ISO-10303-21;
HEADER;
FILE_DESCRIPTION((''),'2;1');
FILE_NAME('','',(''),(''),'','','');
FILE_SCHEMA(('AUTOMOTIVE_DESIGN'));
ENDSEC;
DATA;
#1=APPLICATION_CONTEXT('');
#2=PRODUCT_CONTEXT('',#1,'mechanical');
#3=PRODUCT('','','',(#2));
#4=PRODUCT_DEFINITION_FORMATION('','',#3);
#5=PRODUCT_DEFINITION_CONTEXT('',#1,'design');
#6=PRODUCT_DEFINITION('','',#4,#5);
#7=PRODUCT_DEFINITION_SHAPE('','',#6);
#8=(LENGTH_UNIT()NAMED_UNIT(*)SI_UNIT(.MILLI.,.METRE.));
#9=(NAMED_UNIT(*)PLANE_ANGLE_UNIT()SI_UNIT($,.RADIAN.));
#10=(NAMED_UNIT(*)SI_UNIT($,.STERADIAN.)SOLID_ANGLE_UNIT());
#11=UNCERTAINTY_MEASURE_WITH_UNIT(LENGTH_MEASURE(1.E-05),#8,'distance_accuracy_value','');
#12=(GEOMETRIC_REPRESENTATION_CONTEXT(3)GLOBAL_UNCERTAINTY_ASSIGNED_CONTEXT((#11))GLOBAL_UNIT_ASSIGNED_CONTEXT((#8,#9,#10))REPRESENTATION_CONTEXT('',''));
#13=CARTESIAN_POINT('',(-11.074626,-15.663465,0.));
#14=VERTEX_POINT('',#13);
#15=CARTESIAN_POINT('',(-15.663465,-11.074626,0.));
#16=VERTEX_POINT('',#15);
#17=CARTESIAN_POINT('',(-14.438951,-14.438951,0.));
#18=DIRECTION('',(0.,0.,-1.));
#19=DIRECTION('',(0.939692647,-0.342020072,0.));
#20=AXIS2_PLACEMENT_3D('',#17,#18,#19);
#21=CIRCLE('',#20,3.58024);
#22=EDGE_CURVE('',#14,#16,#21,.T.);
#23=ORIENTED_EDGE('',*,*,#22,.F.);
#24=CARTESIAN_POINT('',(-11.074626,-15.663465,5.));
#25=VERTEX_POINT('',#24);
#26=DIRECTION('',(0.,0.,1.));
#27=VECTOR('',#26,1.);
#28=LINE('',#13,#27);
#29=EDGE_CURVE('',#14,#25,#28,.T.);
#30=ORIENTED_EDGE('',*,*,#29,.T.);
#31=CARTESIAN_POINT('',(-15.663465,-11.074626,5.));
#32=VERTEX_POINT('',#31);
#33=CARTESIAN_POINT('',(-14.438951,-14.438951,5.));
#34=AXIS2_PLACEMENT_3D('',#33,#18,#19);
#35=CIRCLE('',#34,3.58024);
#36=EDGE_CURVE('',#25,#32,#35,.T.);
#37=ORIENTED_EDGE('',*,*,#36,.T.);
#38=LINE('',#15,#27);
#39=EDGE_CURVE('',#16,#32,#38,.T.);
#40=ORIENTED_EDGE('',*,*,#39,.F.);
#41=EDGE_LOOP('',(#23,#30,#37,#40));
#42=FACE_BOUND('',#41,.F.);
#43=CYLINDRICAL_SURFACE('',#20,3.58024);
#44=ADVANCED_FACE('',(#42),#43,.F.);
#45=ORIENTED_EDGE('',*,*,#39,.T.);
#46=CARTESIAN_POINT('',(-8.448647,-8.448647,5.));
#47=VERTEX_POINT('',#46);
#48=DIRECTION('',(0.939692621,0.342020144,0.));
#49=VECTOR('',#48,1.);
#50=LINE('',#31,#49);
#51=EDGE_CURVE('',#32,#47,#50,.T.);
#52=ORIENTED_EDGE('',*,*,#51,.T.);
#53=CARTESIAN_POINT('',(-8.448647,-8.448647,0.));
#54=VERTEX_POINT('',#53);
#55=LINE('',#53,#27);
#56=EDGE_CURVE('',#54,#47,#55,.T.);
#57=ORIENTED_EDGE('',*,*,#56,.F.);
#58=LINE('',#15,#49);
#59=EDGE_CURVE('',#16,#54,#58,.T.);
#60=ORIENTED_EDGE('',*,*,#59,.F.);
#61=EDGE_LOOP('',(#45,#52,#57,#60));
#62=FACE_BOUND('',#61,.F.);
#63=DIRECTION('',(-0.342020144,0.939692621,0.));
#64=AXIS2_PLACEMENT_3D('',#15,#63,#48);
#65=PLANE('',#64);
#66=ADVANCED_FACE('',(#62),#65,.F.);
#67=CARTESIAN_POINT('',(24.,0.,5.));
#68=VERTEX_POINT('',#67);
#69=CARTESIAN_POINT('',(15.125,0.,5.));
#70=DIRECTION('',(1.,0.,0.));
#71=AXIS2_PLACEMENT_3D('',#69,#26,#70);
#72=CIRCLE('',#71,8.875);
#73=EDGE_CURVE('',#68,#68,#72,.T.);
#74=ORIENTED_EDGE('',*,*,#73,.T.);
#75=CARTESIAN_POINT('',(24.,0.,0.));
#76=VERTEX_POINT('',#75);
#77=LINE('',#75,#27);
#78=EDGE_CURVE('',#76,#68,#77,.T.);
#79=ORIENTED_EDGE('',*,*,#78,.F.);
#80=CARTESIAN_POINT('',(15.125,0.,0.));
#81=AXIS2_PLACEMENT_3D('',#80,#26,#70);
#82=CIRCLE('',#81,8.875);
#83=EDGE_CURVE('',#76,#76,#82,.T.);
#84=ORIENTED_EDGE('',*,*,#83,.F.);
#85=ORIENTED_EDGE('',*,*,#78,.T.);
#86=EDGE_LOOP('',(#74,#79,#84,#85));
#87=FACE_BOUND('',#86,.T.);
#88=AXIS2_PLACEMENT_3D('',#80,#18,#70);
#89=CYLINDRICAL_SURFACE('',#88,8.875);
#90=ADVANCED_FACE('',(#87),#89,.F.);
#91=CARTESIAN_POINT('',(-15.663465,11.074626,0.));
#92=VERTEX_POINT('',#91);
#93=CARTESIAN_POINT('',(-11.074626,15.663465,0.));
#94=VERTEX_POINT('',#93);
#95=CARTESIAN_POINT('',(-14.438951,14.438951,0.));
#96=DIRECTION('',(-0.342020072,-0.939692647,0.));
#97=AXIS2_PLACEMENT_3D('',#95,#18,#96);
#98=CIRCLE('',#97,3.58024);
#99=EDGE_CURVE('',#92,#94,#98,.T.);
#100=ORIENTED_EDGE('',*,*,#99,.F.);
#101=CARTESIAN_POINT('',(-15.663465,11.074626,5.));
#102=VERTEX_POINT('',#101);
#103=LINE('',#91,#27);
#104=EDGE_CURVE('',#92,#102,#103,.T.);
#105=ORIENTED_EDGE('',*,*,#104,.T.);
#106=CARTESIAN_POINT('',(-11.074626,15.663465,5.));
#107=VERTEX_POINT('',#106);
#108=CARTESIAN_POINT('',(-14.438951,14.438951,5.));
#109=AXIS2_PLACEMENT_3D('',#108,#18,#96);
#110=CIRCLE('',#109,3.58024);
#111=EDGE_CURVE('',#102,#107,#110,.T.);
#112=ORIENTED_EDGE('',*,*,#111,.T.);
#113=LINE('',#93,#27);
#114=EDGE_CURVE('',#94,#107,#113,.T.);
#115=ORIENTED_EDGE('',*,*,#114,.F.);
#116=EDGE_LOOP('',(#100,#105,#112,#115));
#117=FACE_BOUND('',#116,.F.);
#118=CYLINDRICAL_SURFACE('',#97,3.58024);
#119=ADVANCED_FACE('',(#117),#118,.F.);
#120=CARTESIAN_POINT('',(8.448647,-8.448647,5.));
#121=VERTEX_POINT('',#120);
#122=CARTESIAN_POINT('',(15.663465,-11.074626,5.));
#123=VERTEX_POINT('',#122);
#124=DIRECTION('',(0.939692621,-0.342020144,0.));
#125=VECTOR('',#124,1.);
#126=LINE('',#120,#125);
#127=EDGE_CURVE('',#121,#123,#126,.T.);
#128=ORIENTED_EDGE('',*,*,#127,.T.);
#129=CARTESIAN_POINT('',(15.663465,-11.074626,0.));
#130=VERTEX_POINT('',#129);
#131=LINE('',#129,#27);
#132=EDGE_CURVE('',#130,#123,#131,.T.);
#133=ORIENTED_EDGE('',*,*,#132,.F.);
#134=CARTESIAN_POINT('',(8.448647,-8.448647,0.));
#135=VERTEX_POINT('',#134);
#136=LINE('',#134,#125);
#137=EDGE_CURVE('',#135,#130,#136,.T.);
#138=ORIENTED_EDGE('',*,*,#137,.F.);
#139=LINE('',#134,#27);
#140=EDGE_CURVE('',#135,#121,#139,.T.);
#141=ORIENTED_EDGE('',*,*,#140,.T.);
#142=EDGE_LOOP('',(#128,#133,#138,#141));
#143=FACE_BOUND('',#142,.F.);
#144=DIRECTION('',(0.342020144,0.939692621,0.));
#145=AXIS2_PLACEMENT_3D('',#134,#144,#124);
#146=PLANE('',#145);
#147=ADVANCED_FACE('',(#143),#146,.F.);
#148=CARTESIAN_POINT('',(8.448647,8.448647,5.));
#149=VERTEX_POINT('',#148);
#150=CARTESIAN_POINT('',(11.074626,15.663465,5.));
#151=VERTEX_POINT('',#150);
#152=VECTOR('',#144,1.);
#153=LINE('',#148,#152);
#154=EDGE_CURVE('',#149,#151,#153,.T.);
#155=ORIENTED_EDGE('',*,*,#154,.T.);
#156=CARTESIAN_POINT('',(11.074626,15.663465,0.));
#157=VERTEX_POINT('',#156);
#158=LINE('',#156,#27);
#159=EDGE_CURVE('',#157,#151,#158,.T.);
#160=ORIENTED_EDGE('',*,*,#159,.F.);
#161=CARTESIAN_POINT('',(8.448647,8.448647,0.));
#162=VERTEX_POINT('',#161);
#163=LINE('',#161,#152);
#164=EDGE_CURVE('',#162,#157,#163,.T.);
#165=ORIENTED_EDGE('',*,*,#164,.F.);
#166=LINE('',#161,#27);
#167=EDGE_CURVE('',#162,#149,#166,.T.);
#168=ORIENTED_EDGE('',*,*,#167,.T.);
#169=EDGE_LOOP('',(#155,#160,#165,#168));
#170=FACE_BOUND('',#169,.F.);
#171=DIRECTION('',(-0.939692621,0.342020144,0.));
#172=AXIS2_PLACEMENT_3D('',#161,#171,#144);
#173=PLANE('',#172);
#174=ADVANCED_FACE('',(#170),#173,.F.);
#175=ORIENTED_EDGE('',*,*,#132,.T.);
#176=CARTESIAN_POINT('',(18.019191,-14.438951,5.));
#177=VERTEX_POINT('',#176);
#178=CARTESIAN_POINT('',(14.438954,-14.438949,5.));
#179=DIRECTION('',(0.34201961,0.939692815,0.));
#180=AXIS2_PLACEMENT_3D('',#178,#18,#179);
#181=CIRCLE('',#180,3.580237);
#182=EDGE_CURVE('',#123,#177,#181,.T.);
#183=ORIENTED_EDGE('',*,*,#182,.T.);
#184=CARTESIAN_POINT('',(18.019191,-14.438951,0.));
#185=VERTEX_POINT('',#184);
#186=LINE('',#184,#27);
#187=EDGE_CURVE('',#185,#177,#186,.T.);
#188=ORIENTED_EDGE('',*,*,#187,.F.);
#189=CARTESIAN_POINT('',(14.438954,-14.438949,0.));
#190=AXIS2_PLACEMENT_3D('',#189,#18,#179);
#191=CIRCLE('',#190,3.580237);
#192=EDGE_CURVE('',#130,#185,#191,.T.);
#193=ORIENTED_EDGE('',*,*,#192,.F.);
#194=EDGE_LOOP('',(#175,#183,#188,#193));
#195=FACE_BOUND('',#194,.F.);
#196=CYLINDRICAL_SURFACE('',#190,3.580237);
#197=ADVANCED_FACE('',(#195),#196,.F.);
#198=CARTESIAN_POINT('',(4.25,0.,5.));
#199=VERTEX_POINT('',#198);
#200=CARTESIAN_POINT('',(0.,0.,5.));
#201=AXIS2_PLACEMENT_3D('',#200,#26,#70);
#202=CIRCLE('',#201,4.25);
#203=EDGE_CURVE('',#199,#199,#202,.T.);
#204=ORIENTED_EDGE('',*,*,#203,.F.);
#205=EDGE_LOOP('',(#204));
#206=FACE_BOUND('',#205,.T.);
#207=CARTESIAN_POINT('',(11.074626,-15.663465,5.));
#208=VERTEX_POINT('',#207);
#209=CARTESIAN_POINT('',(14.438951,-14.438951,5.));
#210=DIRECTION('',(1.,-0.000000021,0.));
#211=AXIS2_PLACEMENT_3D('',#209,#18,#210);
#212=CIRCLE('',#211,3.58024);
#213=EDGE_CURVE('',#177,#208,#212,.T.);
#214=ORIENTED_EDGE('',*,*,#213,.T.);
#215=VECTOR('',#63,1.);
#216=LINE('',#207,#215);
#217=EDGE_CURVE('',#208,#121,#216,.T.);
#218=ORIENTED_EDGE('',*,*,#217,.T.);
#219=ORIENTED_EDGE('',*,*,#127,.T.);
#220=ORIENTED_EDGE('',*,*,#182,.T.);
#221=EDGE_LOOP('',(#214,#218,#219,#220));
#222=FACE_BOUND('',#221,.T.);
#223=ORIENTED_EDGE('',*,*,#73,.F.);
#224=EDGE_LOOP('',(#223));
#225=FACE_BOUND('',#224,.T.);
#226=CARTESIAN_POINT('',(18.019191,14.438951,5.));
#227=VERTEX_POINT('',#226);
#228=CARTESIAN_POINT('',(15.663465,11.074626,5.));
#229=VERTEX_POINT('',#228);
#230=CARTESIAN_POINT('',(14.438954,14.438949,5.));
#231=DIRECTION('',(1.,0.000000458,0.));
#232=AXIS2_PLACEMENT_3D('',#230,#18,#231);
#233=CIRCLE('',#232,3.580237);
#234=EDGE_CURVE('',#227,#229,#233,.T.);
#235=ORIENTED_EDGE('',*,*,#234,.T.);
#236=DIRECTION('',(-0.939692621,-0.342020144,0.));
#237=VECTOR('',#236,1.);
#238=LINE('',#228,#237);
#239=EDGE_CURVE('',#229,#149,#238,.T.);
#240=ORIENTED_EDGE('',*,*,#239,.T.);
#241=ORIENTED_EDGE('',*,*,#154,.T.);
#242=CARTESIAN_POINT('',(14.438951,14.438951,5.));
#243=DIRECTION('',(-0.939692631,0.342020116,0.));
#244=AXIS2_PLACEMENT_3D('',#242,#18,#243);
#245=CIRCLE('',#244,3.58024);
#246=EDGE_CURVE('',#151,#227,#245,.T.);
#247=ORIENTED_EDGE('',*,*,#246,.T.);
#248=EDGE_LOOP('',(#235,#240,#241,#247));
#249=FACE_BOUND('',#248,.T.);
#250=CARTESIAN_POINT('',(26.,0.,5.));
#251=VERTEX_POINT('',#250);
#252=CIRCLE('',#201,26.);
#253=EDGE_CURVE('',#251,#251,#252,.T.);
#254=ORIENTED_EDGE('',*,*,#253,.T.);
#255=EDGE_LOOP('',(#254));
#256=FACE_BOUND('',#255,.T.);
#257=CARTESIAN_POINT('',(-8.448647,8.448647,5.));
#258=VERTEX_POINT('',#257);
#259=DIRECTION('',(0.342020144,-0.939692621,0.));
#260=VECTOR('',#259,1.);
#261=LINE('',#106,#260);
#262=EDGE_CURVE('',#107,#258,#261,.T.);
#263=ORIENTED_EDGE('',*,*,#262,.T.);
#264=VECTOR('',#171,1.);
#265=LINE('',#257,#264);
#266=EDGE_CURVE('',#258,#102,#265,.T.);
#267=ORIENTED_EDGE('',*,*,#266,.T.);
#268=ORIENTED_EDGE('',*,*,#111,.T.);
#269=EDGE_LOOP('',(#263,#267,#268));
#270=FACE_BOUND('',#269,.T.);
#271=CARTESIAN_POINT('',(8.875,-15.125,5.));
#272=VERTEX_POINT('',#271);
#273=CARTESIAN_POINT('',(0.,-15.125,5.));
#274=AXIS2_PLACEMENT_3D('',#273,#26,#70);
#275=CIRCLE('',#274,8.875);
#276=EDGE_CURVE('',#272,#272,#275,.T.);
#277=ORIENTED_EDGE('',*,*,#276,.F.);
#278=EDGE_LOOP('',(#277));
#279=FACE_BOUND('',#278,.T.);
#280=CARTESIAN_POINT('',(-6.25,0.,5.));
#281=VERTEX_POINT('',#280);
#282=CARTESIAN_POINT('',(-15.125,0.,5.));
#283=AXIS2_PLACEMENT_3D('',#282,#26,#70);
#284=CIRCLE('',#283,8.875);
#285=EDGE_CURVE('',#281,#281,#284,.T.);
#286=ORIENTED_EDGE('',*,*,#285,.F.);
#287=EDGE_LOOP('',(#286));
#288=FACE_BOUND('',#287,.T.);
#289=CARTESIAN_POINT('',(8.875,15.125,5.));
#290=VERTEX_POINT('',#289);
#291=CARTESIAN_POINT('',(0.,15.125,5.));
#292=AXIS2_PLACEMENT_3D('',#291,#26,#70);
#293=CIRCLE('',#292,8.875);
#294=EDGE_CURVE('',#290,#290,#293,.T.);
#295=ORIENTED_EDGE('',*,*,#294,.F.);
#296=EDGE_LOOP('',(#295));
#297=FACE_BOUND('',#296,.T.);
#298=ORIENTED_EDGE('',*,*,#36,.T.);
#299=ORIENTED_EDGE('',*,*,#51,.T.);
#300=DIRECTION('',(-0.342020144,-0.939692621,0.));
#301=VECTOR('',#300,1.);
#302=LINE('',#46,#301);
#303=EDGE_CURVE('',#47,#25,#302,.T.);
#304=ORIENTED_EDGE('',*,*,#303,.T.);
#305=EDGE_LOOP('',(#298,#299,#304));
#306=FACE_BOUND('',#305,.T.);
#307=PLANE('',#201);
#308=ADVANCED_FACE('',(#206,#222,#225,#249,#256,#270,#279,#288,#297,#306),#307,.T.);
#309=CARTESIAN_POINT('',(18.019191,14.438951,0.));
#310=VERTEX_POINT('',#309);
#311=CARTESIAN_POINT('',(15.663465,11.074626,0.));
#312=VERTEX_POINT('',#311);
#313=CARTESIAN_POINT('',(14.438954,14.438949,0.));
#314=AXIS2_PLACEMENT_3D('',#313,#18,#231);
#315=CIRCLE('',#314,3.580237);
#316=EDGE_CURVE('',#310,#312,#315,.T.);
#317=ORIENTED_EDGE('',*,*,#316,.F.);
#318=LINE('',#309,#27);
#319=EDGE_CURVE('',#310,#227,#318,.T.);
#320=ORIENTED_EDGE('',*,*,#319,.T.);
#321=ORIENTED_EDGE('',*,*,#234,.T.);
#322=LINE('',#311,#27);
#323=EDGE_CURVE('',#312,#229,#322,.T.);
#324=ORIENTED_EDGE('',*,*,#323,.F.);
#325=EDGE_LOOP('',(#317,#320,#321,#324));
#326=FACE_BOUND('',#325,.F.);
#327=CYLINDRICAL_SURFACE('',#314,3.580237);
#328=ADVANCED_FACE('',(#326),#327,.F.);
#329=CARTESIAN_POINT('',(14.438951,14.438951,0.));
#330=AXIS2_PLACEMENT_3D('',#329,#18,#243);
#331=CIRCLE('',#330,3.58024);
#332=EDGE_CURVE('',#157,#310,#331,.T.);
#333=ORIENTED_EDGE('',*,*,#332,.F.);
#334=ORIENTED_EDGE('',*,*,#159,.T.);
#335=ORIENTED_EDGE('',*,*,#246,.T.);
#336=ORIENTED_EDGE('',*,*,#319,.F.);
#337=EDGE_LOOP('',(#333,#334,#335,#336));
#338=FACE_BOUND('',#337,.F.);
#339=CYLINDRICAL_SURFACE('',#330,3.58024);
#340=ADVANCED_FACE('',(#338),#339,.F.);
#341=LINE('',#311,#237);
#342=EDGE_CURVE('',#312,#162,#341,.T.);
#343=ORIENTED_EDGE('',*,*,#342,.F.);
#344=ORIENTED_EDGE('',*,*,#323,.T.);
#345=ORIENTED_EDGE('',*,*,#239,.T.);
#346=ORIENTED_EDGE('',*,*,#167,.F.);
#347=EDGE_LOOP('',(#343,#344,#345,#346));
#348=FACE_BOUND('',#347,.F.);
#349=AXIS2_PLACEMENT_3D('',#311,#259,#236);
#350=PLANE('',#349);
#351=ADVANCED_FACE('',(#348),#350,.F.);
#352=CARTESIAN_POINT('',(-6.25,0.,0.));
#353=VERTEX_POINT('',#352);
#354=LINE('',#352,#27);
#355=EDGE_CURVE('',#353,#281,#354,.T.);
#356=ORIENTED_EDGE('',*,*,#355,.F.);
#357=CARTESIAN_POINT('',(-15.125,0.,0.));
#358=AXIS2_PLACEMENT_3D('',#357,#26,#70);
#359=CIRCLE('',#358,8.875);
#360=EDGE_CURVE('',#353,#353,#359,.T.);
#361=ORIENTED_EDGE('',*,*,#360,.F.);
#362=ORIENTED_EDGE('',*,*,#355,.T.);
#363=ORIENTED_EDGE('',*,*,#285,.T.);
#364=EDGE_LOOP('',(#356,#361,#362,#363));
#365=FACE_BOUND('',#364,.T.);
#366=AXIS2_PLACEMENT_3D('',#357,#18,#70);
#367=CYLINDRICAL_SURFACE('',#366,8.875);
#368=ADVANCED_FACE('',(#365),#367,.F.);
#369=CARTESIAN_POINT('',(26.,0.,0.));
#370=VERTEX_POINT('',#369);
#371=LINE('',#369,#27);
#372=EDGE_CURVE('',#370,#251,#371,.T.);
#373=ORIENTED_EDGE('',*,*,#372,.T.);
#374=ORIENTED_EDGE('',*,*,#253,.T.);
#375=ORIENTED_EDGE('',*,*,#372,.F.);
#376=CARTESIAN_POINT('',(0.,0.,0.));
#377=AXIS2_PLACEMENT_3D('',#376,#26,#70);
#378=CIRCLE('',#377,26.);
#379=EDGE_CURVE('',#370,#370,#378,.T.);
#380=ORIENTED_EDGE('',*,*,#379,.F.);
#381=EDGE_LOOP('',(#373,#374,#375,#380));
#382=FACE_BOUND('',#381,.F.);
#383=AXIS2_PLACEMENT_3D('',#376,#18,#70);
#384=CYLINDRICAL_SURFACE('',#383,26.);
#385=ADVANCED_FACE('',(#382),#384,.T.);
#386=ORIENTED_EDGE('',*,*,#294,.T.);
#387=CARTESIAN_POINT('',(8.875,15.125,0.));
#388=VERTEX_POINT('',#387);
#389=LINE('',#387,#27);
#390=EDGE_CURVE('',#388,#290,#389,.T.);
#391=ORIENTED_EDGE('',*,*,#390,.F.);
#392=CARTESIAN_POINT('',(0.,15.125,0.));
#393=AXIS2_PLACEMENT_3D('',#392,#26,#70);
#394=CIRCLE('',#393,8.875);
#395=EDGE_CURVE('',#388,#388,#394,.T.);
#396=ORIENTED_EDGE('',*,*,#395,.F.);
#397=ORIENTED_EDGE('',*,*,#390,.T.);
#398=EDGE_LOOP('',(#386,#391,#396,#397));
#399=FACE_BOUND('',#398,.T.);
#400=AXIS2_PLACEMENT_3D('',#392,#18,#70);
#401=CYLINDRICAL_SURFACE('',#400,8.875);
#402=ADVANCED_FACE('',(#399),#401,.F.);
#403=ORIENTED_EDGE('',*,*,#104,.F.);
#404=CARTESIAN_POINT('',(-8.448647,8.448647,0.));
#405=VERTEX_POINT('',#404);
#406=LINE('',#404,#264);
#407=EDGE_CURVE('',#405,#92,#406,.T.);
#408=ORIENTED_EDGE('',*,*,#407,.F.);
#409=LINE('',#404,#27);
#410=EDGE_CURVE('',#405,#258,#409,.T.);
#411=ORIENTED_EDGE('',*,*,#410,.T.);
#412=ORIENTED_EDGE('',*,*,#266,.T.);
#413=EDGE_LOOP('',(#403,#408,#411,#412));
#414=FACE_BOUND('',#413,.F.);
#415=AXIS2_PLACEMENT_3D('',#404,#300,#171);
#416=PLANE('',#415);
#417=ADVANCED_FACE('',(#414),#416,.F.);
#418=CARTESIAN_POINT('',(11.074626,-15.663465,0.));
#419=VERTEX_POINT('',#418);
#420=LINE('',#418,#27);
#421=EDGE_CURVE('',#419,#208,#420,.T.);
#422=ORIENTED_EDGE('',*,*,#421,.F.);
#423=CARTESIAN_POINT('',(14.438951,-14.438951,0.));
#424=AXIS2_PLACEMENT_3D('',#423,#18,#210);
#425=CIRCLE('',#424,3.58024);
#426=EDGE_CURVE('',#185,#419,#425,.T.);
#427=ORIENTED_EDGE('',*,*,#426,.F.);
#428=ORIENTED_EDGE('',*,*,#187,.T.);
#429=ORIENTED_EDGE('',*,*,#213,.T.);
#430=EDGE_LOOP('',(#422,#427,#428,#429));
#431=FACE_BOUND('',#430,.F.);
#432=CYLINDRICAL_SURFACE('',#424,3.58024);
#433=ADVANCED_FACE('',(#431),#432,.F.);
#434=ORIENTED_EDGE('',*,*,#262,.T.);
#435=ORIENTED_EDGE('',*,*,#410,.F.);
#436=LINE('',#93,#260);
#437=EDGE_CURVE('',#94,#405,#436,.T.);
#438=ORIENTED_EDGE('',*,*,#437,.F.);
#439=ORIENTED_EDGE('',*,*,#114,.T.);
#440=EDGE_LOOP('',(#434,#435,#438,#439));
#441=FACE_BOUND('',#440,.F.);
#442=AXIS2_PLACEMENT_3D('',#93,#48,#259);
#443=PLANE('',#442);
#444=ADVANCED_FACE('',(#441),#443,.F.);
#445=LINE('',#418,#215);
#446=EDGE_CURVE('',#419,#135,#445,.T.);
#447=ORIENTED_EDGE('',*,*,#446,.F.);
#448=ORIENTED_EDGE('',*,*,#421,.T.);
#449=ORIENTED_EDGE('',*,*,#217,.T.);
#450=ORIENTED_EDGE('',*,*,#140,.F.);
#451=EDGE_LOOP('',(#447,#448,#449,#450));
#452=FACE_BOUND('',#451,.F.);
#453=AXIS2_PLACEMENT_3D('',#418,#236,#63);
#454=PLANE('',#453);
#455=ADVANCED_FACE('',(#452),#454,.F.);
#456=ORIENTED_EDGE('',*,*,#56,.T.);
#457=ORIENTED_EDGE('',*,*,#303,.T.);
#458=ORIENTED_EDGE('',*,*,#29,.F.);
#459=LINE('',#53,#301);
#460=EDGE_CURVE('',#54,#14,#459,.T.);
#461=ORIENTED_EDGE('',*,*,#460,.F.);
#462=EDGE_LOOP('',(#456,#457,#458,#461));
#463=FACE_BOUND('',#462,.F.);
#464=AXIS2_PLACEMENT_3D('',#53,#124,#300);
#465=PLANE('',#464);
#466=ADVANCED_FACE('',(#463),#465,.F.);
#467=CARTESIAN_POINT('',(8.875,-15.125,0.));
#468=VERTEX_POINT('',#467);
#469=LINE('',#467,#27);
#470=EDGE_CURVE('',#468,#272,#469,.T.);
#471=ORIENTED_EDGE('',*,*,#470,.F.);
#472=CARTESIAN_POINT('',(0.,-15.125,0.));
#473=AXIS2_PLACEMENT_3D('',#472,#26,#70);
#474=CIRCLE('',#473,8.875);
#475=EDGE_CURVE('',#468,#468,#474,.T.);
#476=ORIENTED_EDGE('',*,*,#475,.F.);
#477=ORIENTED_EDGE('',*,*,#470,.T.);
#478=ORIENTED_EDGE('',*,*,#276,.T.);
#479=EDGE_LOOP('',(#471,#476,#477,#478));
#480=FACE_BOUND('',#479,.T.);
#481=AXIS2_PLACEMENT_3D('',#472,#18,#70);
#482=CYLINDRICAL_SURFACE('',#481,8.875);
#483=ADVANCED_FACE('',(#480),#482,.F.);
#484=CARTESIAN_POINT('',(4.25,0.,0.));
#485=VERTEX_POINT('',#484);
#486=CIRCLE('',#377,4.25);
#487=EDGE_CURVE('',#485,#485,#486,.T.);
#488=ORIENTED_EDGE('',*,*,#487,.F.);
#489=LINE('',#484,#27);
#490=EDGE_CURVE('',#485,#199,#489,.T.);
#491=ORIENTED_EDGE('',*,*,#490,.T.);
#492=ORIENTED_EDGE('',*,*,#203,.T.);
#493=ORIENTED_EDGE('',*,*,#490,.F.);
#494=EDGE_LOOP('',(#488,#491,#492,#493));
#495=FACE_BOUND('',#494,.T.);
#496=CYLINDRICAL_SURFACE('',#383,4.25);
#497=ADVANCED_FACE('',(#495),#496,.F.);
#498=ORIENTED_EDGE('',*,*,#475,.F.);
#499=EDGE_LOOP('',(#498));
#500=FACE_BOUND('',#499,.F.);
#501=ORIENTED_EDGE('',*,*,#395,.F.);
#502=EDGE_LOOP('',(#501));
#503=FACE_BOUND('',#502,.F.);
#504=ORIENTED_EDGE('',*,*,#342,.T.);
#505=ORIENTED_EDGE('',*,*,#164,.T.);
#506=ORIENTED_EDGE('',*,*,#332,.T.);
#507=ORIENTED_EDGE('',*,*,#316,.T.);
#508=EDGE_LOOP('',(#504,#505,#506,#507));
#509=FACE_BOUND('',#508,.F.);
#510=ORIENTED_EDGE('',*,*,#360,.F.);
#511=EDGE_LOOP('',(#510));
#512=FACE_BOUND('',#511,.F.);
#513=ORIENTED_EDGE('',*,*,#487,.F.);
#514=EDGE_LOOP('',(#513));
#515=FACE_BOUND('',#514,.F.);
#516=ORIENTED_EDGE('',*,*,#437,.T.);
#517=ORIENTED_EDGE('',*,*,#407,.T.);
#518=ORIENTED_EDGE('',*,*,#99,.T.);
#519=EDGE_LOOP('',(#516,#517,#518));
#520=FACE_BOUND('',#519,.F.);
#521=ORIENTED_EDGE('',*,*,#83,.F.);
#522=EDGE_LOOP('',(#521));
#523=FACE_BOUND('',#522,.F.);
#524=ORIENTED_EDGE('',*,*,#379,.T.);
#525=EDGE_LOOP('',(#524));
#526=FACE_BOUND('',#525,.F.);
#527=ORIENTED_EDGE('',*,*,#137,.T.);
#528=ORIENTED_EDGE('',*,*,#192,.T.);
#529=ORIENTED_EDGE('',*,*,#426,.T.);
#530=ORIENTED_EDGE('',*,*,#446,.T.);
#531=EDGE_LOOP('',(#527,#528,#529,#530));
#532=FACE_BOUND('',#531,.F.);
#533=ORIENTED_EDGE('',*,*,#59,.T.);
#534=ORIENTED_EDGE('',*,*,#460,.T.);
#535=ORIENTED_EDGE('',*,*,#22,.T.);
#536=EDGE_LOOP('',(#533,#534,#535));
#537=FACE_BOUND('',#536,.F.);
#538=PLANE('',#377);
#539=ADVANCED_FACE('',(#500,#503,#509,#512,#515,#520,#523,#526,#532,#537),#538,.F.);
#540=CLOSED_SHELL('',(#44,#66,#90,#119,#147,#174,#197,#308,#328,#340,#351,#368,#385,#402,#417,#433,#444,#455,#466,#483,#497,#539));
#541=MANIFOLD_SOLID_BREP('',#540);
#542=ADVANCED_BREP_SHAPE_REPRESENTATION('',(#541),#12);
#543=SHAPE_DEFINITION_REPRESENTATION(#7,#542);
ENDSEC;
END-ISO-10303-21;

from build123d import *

# Parameters (mm, degrees)
F0_R     = 26
F0_R_2   = 8.875
F0_R_3   = 4.25
F1_DEPTH = 5


with BuildPart() as f1:
    # F0 (on Top) → F1 (new body)
    with BuildSketch(Plane.XY):
        Circle(F0_R)
        with BuildLine():
            ThreePointArc((-11.074626, -15.663465), (-16.970563, -16.970563), (-15.663465, -11.074626))
            Line((-15.663465, -11.074626), (-8.448647, -8.448647))
            Line((-8.448647, -8.448647), (-11.074626, -15.663465))
        make_face(mode=Mode.SUBTRACT)
        with Locations((0, -15.125)):
            Circle(F0_R_2, mode=Mode.SUBTRACT)
        with BuildLine():
            Line((11.074626, -15.663465), (8.448647, -8.448647))
            Line((8.448647, -8.448647), (15.663465, -11.074626))
            ThreePointArc((15.663465, -11.074626), (17.371712, -12.385409), (18.019191, -14.438951))
            ThreePointArc((18.019191, -14.438951), (15.060653, -17.964799), (11.074626, -15.663465))
        make_face(mode=Mode.SUBTRACT)
        with Locations((-15.125, 0)):
            Circle(F0_R_2, mode=Mode.SUBTRACT)
        with BuildLine():
            ThreePointArc((-15.663465, 11.074626), (-16.970563, 16.970563), (-11.074626, 15.663465))
            Line((-11.074626, 15.663465), (-8.448647, 8.448647))
            Line((-8.448647, 8.448647), (-15.663465, 11.074626))
        make_face(mode=Mode.SUBTRACT)
        Circle(F0_R_3, mode=Mode.SUBTRACT)
        with Locations((15.125, 0)):
            Circle(F0_R_2, mode=Mode.SUBTRACT)
        with Locations((0, 15.125)):
            Circle(F0_R_2, mode=Mode.SUBTRACT)
        with BuildLine():
            Line((15.663465, 11.074626), (8.448647, 8.448647))
            Line((8.448647, 8.448647), (11.074626, 15.663465))
            ThreePointArc((11.074626, 15.663465), (15.060653, 17.964799), (18.019191, 14.438951))
            ThreePointArc((18.019191, 14.438951), (17.371712, 12.385409), (15.663465, 11.074626))
        make_face(mode=Mode.SUBTRACT)
    extrude(amount=F1_DEPTH)


solid = f1.part
